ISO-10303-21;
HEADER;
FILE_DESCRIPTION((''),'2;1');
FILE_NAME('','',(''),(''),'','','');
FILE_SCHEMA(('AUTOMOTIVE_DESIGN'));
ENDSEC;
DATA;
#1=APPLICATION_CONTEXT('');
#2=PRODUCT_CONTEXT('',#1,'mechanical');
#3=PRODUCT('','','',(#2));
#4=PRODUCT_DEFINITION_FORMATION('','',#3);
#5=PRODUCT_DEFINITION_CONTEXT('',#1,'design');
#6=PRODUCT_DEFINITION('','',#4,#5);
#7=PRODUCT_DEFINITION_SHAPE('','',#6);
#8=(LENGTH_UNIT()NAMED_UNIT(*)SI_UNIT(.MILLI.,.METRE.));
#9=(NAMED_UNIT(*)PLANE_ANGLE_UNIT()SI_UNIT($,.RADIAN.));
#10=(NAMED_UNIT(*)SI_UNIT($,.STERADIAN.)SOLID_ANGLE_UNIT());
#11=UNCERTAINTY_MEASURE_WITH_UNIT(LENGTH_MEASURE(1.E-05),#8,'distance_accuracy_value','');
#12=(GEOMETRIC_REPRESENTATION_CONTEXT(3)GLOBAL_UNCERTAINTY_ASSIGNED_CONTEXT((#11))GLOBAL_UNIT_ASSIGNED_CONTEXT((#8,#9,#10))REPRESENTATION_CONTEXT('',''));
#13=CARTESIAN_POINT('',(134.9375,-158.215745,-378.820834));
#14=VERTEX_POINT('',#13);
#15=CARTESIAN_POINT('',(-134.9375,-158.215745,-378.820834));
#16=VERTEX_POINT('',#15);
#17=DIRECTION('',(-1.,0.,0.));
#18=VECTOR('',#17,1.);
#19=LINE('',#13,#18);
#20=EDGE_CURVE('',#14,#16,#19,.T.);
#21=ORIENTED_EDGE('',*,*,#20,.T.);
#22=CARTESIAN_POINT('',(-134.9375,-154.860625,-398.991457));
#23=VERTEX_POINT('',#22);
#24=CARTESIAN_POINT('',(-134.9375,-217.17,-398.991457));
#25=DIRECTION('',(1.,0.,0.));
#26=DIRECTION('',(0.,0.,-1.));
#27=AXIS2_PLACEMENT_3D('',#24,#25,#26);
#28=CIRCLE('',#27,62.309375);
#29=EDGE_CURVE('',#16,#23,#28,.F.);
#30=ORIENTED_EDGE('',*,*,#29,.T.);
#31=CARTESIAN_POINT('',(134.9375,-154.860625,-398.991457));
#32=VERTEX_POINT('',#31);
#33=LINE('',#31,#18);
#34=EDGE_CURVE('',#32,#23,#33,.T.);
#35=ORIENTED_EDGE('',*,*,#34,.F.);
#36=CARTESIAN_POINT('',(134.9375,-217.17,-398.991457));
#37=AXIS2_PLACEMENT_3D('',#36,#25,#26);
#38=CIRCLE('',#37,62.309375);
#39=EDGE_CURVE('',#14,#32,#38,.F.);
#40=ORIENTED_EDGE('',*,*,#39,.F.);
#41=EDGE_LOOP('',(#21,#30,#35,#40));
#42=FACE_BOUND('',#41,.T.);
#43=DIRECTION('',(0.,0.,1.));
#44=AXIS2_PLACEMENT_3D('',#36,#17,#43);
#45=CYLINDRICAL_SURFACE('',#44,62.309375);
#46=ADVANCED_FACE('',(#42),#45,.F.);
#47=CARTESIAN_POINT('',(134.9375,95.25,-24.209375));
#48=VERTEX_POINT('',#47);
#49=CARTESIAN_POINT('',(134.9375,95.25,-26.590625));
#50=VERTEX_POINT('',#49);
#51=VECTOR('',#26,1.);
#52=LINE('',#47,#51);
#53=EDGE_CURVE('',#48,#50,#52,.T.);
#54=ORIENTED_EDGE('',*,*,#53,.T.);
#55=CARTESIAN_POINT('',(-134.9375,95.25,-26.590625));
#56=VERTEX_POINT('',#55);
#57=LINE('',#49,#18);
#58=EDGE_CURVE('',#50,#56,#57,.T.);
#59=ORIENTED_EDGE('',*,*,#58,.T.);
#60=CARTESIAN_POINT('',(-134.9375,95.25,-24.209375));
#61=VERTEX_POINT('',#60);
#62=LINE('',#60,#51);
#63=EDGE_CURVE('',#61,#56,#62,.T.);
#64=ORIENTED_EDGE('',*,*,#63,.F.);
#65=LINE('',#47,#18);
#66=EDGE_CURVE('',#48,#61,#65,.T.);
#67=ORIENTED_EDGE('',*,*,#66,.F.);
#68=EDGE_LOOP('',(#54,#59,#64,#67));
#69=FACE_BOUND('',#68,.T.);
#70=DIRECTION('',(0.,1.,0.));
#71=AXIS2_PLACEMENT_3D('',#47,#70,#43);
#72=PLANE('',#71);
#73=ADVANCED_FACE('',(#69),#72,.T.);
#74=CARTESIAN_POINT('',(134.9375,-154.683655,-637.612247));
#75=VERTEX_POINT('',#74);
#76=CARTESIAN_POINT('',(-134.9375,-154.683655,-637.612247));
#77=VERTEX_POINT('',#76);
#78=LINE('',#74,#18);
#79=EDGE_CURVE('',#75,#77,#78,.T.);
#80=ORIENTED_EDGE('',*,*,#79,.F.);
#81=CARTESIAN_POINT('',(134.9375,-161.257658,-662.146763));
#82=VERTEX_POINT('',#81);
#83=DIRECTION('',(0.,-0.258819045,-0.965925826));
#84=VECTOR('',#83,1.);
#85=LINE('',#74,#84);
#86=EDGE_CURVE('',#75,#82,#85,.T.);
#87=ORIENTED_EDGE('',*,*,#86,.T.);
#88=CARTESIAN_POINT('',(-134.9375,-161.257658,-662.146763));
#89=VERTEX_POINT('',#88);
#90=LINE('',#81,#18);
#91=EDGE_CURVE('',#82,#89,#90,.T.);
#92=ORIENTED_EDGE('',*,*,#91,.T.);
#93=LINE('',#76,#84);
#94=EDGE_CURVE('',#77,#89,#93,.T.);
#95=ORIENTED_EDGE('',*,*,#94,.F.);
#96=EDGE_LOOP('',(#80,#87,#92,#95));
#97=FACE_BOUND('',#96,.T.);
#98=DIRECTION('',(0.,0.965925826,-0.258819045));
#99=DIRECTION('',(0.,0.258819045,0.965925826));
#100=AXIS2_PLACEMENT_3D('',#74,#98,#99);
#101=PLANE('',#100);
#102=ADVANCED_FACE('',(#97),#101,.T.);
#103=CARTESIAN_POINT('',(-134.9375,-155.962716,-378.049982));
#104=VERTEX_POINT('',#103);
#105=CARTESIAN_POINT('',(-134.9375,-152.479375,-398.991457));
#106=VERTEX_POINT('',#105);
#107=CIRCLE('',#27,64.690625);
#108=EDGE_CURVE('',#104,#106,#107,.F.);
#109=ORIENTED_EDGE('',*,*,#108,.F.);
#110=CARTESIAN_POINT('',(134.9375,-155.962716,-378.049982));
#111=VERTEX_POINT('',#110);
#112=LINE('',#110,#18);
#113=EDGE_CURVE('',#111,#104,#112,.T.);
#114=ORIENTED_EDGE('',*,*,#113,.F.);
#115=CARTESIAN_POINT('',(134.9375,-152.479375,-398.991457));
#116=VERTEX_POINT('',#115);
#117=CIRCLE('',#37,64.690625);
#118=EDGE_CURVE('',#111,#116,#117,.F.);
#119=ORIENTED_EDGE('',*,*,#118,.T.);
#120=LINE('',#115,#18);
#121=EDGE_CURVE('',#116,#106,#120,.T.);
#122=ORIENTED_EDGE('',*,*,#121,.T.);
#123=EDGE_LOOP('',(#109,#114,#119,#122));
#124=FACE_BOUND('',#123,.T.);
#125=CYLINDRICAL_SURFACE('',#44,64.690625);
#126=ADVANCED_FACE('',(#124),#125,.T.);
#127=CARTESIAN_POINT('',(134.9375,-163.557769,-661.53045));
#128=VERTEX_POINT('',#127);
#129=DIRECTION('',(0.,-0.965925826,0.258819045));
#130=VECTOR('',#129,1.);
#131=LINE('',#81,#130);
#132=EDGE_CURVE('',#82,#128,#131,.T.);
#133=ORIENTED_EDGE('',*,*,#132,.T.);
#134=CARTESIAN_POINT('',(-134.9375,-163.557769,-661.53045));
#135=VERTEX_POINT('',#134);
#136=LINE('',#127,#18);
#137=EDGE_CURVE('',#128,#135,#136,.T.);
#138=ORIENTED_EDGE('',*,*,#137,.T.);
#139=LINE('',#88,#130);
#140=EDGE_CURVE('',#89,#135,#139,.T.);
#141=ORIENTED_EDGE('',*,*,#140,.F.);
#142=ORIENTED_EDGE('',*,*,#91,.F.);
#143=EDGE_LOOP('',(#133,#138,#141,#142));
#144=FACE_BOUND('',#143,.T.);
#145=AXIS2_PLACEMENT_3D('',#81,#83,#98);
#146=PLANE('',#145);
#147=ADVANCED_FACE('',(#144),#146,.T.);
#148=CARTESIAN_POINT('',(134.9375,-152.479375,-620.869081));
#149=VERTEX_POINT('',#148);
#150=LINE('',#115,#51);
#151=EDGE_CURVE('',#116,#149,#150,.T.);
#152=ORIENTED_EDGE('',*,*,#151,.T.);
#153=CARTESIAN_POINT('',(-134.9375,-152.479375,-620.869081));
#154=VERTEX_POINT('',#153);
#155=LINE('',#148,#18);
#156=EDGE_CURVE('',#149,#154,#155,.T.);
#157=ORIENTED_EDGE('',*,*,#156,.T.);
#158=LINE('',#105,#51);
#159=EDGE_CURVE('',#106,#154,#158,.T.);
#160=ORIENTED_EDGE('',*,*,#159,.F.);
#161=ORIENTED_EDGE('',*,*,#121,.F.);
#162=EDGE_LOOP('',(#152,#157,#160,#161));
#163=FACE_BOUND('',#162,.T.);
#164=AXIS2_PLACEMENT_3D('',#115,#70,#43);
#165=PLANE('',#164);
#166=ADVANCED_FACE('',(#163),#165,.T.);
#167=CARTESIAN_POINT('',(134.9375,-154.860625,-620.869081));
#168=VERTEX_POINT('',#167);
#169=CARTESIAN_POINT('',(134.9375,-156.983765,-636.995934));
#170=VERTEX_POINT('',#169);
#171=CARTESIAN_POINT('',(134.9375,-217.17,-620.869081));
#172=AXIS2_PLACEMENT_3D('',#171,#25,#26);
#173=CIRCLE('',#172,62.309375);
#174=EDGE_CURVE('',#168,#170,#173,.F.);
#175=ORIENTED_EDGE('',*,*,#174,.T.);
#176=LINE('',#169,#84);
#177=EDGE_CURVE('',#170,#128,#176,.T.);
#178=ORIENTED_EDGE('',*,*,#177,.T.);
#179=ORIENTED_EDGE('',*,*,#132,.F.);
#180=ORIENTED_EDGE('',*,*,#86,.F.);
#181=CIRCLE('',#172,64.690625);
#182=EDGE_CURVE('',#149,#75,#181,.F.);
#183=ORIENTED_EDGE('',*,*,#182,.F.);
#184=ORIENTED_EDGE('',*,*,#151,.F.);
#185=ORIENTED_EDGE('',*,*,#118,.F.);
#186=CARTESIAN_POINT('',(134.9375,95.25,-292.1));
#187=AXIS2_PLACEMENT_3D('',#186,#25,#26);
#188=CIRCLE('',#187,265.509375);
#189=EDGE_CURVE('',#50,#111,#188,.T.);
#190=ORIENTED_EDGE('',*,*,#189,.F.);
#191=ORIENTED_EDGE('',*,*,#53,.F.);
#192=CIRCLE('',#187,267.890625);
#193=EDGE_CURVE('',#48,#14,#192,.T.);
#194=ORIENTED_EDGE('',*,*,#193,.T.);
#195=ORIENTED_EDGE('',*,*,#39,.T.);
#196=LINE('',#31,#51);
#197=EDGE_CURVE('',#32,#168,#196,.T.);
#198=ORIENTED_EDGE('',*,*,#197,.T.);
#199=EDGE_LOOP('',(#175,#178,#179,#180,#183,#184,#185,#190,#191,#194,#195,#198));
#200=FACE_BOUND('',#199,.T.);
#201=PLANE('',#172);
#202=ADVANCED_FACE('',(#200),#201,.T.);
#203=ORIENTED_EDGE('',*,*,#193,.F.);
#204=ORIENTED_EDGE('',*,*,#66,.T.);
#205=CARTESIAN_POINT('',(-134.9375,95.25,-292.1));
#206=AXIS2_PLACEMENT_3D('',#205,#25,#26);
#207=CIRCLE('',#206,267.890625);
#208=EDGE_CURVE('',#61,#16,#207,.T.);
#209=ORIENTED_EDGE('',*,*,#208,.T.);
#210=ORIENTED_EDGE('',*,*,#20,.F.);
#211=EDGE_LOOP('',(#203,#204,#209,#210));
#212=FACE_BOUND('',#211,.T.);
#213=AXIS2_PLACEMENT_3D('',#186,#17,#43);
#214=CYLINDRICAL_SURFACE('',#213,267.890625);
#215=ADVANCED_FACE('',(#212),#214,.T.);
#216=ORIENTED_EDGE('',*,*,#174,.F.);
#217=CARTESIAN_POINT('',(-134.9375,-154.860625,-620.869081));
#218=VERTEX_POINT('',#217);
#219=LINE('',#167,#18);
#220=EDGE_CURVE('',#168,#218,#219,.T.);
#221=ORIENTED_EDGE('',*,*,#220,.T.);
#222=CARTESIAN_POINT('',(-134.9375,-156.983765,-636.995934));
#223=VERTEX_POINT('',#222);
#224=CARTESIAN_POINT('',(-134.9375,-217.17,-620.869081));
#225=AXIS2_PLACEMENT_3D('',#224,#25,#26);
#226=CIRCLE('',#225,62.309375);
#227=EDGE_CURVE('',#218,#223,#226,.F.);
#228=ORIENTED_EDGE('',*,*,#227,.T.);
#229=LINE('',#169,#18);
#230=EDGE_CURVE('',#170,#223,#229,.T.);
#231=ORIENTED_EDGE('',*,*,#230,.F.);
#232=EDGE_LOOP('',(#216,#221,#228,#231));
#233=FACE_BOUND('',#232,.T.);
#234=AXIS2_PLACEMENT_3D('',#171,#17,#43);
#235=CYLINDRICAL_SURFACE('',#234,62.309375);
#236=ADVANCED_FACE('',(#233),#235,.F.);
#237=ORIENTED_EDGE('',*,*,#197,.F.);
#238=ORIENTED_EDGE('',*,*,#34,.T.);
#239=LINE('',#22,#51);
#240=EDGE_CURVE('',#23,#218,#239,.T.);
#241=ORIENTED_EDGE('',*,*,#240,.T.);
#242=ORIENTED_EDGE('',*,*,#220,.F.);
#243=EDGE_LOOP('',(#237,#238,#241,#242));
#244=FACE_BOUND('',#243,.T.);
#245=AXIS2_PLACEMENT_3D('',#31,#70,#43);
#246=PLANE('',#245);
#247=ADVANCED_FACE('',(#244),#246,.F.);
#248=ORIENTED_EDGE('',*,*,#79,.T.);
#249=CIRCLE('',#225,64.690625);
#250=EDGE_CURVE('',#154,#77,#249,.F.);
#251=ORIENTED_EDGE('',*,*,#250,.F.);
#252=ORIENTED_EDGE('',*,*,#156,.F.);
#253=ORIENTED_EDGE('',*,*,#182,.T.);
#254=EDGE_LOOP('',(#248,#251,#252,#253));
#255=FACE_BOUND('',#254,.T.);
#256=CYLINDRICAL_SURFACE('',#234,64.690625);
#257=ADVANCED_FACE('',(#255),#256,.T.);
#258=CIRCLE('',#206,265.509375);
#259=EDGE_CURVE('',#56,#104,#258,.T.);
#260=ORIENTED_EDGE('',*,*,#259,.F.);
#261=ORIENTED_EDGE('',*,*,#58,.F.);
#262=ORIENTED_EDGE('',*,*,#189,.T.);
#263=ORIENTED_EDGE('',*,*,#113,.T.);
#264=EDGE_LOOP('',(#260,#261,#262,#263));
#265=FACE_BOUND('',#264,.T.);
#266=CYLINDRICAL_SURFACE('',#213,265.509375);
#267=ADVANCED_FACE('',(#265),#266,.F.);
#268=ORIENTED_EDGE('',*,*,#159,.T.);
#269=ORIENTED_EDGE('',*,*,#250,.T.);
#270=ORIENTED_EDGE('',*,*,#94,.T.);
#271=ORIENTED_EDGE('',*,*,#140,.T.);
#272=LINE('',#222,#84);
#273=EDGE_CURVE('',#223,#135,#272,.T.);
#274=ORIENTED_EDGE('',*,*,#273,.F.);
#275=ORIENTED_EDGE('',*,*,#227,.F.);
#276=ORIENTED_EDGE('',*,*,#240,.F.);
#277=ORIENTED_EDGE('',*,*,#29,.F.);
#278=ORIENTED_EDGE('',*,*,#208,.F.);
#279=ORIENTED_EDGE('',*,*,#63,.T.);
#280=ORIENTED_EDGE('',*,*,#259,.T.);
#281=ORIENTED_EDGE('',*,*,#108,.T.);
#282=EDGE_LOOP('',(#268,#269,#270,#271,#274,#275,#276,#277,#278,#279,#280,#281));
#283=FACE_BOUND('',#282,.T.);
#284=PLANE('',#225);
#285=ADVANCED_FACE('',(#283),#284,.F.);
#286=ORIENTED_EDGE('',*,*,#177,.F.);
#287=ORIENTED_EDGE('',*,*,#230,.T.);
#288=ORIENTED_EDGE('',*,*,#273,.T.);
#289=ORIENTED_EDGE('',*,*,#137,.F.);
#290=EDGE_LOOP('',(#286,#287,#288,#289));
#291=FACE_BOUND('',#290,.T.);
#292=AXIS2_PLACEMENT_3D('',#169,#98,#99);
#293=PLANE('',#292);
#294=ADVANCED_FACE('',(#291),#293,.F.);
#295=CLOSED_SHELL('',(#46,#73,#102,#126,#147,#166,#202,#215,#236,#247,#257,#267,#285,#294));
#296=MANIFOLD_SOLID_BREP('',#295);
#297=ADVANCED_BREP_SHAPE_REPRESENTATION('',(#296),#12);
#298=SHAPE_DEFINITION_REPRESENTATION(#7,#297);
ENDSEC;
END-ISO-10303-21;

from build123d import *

# Parameters (mm, degrees)
EXTRUDE_THIN1_DEPTH = 134.9375


with BuildPart() as part:
    # Sketch1 → Extrude-Thin1 (new, symmetric)
    with BuildSketch(Plane(origin=(0, 0, 0), x_dir=(0, 0, -1), z_dir=(1, 0, 0))):
        with BuildLine():
            ThreePointArc((24.209375, 95.25), (136.32181049, -122.691603728), (378.820833581, -158.215745192))
            ThreePointArc((378.820833581, -158.215745192), (388.767577151, -155.705127985), (398.991457096, -154.860625))
            Line((398.991457096, -154.860625), (620.869080778, -154.860625))
            ThreePointArc((620.869080778, -154.860625), (629.002086236, -155.393690341), (636.995933716, -156.983765468))
            Line((636.995933716, -156.983765468), (661.530449704, -163.557769213))
            Line((661.530449704, -163.557769213), (662.146762555, -161.257658339))
            Line((662.146762555, -161.257658339), (637.612246567, -154.683654594))
            ThreePointArc((637.612246567, -154.683654594), (629.312901731, -153.032812265), (620.869080778, -152.479375))
            Line((620.869080778, -152.479375), (398.991457096, -152.479375))
            ThreePointArc((398.991457096, -152.479375), (388.376855625, -153.356151985), (378.049981727, -155.962716346))
            ThreePointArc((378.049981727, -155.962716346), (137.706505507, -120.754345029), (26.590625, 95.25))
            Line((26.590625, 95.25), (24.209375, 95.25))
        make_face()
    extrude(amount=EXTRUDE_THIN1_DEPTH, both=True)


solid = part.part
